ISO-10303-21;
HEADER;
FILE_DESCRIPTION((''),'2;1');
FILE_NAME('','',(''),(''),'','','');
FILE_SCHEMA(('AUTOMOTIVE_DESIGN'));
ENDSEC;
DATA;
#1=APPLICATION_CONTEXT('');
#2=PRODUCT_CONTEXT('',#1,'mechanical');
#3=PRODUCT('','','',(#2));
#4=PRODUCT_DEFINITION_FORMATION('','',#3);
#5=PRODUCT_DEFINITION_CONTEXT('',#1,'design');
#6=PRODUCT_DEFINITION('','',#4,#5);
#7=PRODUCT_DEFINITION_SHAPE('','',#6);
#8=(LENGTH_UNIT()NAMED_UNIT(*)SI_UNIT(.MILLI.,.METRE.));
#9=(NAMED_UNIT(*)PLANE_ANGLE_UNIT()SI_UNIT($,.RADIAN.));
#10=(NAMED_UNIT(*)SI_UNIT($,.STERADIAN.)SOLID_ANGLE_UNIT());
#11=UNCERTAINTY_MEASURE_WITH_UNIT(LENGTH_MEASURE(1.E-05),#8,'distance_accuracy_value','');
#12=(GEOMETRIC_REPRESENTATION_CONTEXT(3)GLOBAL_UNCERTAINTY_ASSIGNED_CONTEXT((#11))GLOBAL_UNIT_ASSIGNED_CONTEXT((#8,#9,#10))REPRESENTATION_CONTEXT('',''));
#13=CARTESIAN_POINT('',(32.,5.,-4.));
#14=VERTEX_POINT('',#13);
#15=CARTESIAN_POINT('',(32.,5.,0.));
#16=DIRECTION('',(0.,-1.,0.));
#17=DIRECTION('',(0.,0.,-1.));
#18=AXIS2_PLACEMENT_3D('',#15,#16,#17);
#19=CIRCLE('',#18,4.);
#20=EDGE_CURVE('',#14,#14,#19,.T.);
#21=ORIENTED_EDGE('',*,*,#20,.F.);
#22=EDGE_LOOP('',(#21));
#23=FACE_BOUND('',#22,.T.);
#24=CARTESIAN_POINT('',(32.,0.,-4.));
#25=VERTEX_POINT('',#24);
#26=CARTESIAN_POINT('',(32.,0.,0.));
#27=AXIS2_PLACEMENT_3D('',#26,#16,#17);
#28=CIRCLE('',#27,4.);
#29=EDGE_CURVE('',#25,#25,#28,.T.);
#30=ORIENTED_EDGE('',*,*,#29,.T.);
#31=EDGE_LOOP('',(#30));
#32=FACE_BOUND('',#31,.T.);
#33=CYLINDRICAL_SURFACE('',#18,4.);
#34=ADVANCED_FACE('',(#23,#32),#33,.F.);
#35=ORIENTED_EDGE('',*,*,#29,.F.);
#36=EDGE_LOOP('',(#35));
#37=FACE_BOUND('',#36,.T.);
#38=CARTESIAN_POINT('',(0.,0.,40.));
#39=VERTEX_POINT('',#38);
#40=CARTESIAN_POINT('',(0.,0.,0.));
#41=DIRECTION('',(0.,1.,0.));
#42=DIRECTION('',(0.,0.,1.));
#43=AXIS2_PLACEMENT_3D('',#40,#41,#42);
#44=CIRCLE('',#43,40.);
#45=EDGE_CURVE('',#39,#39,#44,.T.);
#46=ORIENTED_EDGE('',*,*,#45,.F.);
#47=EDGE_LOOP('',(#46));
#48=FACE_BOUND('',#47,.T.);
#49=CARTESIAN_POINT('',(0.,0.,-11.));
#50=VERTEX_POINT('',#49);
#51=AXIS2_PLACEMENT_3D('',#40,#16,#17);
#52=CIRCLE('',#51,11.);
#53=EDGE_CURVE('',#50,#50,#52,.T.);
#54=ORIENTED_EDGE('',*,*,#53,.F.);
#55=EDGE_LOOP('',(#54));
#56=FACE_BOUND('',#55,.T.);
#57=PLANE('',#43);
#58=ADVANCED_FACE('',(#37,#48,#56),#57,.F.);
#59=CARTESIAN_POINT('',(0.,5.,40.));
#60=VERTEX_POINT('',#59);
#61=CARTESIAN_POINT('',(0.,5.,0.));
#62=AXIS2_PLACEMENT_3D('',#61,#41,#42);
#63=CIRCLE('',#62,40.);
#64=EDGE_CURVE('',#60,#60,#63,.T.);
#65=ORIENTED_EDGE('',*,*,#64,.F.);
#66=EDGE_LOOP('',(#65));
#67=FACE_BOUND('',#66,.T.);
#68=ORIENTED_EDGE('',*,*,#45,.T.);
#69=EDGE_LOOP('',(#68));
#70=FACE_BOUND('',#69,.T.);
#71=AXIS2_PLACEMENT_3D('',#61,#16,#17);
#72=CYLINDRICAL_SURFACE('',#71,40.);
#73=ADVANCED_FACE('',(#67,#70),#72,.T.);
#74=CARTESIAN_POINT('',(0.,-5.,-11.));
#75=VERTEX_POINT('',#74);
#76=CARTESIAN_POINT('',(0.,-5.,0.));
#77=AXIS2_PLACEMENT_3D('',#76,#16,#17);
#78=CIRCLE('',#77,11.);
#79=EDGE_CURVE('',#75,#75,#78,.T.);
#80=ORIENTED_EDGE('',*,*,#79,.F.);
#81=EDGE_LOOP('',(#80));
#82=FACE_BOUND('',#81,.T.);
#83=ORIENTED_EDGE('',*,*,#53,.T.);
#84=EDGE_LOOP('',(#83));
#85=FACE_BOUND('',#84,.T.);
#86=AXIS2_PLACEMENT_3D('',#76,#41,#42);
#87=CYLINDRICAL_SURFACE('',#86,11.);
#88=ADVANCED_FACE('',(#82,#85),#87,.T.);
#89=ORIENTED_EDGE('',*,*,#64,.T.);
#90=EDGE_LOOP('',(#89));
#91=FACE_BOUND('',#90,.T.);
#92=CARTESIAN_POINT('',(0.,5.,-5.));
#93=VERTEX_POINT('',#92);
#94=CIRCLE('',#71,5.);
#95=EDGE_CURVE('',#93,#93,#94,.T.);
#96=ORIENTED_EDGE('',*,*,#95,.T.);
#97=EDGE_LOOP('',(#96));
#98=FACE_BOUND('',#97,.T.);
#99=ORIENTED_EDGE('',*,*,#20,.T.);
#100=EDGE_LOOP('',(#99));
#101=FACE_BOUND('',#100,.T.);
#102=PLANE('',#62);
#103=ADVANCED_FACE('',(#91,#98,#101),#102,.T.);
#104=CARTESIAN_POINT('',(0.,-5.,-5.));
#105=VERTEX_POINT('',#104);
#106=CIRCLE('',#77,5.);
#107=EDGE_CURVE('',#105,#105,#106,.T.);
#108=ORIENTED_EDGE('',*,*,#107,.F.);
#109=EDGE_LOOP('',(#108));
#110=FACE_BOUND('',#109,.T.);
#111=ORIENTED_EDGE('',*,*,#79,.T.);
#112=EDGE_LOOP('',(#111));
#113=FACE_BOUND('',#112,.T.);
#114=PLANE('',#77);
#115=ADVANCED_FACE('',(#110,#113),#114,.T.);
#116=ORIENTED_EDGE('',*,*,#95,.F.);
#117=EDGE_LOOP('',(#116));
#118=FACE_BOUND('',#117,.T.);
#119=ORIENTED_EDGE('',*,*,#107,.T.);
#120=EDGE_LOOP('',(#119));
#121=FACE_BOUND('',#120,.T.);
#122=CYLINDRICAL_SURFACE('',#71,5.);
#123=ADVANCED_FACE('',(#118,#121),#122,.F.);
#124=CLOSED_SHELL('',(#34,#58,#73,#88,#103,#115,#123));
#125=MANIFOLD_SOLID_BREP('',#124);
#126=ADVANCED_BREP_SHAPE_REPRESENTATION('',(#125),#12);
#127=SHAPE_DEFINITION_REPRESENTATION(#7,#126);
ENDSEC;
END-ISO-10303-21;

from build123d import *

# Parameters (mm, degrees)
SKETCH1_R           = 40
BOSS_EXTRUDE1_DEPTH = 5
SKETCH2_R           = 11
BOSS_EXTRUDE2_DEPTH = 5
SKETCH3_R           = 5
CUT_EXTRUDE1_DEPTH  = 58.445626465
SKETCH4_R           = 4
CUT_EXTRUDE2_DEPTH  = 57.789083458


with BuildPart() as part:
    # Sketch1 → Boss-Extrude1 (new body)
    with BuildSketch(Plane(origin=(0, 0, 0), x_dir=(1, 0, 0), z_dir=(0, 1, 0))):
        with Locations(Location((0, 0, 0), (0, 0, 270))):
            Circle(SKETCH1_R)
    extrude(amount=BOSS_EXTRUDE1_DEPTH)

    # Sketch2 → Boss-Extrude2 (add)
    with BuildSketch(Plane.XZ):
        with Locations(Location((0, 0, 0), (0, 0, 270))):
            Circle(SKETCH2_R)
    extrude(amount=BOSS_EXTRUDE2_DEPTH)

    # Sketch3 → Cut-Extrude1 (cut, through all)
    with BuildSketch(Plane.XZ.offset(5)):
        with Locations(Location((0, 0, 0), (0, 0, 270))):
            Circle(SKETCH3_R)
    extrude(amount=-CUT_EXTRUDE1_DEPTH, mode=Mode.SUBTRACT)

    # Sketch4 → Cut-Extrude2 (cut, through all)
    with BuildSketch(Plane.XZ):
        with Locations(Location((32, 0, 0), (0, 0, 270))):
            Circle(SKETCH4_R)
    extrude(amount=-CUT_EXTRUDE2_DEPTH, mode=Mode.SUBTRACT)


solid = part.part
